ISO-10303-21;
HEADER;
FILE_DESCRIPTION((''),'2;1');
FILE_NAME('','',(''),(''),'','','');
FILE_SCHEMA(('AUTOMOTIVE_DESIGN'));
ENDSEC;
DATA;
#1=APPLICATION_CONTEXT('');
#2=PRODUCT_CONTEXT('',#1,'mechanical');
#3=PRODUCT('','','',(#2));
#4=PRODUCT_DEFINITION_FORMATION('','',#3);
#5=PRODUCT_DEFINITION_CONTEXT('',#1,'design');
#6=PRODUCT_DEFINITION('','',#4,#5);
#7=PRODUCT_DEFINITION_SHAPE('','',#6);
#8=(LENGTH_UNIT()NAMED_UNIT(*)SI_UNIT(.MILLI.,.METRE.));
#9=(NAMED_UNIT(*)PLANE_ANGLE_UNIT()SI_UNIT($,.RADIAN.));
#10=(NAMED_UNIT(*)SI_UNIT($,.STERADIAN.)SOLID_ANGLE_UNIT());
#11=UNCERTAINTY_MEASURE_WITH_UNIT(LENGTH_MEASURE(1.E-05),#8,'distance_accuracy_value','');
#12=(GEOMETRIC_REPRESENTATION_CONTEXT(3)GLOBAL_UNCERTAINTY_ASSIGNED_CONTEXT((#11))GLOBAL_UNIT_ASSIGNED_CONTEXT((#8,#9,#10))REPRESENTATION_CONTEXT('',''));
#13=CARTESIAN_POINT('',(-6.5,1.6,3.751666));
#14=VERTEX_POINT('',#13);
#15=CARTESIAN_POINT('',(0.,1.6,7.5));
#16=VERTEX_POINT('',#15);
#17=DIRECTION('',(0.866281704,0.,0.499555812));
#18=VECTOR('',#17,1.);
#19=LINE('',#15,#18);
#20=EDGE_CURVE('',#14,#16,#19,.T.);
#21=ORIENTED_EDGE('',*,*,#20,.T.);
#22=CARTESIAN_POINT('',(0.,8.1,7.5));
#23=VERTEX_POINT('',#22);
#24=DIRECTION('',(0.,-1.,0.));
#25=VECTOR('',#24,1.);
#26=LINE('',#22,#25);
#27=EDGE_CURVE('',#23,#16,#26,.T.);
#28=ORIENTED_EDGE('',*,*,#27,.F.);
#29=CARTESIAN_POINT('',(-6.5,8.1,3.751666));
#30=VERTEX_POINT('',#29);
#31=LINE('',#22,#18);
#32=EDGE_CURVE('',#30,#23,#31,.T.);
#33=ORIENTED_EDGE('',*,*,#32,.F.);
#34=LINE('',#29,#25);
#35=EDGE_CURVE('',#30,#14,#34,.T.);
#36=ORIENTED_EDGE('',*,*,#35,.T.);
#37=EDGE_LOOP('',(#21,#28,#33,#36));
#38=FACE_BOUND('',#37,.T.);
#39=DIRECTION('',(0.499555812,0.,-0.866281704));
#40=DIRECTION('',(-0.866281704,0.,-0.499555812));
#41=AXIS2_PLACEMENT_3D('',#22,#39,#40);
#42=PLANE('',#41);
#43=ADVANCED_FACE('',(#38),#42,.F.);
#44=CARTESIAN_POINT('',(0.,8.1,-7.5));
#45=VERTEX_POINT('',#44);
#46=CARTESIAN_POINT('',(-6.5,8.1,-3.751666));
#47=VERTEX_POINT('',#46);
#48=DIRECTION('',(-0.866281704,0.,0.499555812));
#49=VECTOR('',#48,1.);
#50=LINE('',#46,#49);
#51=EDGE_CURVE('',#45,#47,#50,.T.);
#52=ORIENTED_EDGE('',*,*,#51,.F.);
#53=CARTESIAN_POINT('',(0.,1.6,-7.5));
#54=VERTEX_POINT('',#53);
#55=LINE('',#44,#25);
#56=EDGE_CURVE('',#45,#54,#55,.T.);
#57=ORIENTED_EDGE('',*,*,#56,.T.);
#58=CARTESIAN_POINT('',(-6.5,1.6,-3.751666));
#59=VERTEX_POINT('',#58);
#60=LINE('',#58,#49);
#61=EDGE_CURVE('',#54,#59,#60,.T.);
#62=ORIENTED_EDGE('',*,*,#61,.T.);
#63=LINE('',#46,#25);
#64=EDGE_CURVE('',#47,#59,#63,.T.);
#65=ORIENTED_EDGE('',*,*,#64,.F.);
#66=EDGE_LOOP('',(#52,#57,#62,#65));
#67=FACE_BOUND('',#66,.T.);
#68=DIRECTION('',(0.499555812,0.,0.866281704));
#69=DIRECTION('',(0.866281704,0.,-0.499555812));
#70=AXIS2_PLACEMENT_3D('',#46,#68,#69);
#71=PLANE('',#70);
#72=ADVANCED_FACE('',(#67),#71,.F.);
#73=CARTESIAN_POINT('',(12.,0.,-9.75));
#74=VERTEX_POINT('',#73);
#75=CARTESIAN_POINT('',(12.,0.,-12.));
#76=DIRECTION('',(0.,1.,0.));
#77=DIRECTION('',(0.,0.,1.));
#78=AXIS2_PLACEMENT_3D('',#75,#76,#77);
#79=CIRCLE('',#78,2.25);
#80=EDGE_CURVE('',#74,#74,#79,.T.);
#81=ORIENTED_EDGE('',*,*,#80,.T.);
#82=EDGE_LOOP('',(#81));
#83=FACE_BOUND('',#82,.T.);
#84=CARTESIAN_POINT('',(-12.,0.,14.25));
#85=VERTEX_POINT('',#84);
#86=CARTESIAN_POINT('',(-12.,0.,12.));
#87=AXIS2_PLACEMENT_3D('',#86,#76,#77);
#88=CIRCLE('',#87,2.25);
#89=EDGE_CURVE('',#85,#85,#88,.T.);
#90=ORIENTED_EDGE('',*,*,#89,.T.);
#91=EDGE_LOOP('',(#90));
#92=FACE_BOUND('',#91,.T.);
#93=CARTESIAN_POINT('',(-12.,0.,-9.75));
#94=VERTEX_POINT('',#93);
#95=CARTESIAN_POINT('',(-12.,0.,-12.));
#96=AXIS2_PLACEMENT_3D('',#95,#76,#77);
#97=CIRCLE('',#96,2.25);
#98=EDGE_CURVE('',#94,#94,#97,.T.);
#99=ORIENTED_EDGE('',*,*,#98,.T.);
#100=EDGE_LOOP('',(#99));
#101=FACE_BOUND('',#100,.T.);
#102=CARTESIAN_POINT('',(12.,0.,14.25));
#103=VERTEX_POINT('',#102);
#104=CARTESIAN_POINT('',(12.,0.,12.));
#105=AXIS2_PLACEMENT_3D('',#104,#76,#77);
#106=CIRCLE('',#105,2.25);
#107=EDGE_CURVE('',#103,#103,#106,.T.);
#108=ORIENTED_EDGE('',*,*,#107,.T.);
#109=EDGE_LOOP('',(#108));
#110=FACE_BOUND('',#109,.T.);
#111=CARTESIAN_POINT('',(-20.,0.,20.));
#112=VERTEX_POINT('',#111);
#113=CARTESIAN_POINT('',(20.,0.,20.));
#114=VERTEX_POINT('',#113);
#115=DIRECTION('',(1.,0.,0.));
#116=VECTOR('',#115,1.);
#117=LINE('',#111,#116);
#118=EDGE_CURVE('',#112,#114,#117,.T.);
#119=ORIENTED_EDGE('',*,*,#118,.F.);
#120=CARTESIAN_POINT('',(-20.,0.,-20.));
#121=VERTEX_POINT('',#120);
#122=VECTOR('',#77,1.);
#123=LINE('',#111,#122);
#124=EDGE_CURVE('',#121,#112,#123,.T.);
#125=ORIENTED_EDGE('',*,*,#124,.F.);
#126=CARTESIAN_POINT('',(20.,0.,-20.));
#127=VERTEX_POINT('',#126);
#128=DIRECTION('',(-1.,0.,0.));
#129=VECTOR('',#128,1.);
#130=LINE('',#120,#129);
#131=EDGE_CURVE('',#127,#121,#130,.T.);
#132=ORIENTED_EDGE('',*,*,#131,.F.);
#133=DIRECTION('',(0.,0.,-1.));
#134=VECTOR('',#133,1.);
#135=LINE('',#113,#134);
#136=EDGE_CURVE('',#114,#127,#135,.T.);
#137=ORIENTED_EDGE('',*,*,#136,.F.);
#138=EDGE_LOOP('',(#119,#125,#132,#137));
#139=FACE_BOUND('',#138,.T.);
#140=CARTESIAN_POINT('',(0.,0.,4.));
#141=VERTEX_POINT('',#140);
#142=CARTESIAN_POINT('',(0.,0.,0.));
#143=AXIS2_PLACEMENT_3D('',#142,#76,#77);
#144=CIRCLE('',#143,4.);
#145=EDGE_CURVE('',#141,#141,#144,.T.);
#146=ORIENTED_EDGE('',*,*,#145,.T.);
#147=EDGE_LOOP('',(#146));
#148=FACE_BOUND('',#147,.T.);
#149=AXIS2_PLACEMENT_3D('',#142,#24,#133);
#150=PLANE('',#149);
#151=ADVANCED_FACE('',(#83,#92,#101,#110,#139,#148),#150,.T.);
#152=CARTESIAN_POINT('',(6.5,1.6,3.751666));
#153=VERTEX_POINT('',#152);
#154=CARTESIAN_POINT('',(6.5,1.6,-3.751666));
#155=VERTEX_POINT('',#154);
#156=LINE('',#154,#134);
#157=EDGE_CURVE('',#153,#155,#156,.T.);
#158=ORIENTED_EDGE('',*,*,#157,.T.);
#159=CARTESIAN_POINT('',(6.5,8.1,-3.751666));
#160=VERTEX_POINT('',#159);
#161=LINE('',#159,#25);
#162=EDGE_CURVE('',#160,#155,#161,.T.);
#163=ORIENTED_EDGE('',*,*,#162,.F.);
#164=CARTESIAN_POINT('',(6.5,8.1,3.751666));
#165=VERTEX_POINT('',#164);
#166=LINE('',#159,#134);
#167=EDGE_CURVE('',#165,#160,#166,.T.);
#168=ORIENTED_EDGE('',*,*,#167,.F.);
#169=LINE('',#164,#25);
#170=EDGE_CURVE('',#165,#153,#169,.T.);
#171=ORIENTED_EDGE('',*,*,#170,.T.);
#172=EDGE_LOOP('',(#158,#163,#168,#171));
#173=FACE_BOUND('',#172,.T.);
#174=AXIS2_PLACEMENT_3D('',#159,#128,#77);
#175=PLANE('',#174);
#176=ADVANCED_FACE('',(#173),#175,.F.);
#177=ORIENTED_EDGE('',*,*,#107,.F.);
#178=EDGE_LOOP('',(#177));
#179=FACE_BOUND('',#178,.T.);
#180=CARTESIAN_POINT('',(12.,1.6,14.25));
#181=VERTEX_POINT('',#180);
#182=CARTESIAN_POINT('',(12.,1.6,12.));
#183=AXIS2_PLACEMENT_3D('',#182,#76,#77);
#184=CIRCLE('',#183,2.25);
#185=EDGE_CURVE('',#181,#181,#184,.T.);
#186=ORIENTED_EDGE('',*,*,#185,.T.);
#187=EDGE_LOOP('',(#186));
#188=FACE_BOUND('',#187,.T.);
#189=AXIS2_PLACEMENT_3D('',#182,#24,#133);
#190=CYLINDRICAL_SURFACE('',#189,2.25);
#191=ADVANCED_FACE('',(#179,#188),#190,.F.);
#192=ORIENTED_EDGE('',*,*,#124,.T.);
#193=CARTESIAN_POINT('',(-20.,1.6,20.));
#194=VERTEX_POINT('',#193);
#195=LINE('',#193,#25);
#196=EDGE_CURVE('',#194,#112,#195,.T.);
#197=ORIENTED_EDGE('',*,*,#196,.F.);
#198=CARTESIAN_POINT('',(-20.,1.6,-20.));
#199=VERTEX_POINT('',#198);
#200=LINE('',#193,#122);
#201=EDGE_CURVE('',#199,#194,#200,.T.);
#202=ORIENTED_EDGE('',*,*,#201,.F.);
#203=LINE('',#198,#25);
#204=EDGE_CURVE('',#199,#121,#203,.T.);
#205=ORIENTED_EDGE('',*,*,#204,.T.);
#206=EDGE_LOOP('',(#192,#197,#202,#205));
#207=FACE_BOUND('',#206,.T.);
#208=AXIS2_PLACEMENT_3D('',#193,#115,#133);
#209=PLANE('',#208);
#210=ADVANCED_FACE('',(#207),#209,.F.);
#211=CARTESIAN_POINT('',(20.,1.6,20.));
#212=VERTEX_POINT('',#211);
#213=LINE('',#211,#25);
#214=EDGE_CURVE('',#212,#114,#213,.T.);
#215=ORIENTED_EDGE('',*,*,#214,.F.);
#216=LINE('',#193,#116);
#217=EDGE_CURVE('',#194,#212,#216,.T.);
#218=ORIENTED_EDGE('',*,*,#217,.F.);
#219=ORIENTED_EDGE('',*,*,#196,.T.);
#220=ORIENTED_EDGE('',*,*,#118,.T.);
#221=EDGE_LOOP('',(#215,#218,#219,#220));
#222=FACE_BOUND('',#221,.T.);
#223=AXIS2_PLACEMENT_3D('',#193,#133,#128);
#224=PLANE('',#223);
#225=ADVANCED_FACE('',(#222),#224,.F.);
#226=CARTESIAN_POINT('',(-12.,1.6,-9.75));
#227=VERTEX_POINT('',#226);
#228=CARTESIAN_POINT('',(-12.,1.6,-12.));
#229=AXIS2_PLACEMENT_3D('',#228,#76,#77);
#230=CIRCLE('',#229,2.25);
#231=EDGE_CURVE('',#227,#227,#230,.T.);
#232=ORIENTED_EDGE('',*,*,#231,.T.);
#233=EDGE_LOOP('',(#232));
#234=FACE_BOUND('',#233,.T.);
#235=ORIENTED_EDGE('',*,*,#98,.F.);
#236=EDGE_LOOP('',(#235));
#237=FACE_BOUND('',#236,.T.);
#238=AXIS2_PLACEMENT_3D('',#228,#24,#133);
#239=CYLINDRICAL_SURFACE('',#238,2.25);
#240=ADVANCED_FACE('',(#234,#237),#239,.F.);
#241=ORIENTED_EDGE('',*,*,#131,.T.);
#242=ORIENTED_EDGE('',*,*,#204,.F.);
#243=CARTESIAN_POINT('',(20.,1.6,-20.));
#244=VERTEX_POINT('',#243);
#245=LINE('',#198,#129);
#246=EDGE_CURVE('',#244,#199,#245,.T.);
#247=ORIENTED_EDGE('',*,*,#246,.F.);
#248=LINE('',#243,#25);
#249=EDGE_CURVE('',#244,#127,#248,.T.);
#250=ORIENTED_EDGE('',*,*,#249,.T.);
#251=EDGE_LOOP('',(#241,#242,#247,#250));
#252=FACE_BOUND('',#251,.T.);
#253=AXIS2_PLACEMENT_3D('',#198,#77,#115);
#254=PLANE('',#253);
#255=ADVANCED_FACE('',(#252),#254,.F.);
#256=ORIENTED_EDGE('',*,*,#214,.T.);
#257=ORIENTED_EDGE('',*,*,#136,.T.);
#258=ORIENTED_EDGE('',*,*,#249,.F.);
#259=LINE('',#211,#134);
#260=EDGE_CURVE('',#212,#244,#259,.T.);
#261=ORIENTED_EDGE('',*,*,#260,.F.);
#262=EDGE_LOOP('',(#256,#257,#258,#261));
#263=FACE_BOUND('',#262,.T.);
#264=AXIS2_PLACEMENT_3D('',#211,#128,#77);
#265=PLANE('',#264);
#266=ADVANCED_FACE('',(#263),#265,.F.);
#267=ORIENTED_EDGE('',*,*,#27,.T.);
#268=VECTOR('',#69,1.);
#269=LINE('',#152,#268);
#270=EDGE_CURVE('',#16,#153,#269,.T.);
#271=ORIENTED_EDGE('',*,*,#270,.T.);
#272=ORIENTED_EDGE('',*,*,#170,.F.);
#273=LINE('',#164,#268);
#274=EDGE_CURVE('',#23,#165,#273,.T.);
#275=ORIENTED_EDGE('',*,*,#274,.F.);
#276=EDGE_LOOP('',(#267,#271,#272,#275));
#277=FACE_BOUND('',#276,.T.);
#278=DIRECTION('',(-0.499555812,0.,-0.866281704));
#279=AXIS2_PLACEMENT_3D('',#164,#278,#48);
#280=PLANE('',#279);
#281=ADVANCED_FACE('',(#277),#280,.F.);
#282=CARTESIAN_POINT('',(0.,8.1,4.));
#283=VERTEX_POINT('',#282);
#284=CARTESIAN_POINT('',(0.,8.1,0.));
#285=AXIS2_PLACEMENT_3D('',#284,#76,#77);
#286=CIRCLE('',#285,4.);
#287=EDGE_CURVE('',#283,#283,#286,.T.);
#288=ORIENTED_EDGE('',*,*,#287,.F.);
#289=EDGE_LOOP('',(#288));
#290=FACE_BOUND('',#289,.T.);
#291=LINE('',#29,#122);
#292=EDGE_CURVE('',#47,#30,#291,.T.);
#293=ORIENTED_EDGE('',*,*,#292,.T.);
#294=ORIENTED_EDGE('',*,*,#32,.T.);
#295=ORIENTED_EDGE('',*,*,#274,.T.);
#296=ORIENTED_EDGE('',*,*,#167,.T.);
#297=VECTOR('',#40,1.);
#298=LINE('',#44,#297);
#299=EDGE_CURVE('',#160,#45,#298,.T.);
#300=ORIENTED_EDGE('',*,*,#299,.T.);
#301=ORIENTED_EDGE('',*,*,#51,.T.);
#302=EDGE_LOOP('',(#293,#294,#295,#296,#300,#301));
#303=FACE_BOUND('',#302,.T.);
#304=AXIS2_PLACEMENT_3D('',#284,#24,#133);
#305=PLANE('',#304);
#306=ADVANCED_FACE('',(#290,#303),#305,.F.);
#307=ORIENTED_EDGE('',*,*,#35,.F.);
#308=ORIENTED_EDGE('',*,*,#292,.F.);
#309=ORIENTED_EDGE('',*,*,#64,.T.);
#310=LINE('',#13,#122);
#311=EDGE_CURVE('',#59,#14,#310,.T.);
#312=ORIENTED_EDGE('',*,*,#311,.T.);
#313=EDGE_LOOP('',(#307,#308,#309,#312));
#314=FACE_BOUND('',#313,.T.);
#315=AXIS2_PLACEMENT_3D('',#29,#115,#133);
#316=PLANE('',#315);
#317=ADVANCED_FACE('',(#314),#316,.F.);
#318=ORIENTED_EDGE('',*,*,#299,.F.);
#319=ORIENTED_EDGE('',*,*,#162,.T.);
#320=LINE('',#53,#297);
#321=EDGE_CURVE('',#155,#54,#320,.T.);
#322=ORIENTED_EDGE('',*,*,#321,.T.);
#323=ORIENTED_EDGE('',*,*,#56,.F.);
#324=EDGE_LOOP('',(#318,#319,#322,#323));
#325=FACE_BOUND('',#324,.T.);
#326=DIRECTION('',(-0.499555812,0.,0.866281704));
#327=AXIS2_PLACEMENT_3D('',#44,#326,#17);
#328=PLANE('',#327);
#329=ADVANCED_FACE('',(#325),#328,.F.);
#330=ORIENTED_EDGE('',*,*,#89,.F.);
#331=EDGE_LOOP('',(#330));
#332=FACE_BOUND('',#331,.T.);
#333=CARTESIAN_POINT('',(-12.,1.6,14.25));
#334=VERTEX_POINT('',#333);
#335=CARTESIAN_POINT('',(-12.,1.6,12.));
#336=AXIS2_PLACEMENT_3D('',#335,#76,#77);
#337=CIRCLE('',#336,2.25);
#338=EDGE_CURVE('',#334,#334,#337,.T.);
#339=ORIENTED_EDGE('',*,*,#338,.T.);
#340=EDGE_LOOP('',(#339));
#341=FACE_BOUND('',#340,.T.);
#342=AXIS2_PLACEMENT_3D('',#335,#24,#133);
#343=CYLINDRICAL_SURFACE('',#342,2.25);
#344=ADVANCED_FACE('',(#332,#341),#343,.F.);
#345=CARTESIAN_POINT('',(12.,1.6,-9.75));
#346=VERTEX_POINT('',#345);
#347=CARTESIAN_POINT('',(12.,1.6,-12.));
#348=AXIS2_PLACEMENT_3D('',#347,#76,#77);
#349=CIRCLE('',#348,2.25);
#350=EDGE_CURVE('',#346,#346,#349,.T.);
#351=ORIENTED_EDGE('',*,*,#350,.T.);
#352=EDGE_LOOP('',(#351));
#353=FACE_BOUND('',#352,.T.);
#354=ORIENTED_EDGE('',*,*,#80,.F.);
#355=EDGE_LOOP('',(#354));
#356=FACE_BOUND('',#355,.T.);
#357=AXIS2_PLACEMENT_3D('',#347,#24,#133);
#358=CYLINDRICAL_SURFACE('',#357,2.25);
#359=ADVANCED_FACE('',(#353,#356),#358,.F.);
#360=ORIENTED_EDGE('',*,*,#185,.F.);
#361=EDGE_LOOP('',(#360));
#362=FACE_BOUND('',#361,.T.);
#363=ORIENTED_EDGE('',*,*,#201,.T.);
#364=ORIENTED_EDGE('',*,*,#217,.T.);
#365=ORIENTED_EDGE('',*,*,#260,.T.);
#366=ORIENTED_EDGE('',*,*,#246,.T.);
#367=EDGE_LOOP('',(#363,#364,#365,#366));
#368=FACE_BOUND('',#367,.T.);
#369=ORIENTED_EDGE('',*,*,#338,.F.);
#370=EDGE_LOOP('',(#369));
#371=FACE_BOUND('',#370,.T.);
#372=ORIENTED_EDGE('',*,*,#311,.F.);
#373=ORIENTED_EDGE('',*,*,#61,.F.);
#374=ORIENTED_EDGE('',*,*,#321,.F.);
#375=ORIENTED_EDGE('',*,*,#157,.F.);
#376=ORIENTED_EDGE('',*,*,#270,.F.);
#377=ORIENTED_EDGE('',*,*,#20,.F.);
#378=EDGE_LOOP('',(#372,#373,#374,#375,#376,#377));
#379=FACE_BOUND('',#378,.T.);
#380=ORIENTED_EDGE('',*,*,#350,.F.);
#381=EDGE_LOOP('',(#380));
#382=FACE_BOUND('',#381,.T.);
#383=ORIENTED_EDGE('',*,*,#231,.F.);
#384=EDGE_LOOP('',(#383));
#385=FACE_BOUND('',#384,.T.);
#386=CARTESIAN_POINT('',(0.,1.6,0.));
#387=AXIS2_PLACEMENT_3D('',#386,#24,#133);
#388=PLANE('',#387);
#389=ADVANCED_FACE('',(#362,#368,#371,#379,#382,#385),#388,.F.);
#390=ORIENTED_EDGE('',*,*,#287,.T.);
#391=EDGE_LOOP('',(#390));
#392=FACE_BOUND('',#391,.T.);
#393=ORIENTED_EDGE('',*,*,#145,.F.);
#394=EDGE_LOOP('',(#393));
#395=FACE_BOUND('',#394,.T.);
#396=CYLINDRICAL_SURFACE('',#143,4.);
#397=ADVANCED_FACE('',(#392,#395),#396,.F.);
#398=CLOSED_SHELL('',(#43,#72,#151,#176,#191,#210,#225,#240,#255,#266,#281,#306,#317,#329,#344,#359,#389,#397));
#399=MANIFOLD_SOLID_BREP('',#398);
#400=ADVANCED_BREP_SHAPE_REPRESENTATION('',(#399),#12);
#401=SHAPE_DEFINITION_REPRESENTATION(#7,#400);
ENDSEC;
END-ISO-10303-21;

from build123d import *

# Parameters (mm, degrees)
SKETCH_1_W          = 40
SKETCH_1_H          = 40
SKETCH_1_R          = 2.25
EXTRUDE_1_DEPTH     = 1.6
EXTRUDE_2_DEPTH     = 6.5
SKETCH_3_R          = 4
CUT_EXTRUDE_1_DEPTH = 30.421250823


with BuildPart() as part:
    # ｽｹｯﾁ1 → ﾎﾞｽ - 押し出し1 (new body)
    with BuildSketch(Plane(origin=(0, 0, 0), x_dir=(1, 0, 0), z_dir=(0, 1, 0))):
        Rectangle(SKETCH_1_W, SKETCH_1_H)
        with Locations(Location((-12, 12, 0), (0, 0, 270))):
            Circle(SKETCH_1_R, mode=Mode.SUBTRACT)
        with Locations(Location((12, 12, 0), (0, 0, 270))):
            Circle(SKETCH_1_R, mode=Mode.SUBTRACT)
        with Locations(Location((-12, -12, 0), (0, 0, 270))):
            Circle(SKETCH_1_R, mode=Mode.SUBTRACT)
        with Locations(Location((12, -12, 0), (0, 0, 270))):
            Circle(SKETCH_1_R, mode=Mode.SUBTRACT)
    extrude(amount=EXTRUDE_1_DEPTH)

    # ｽｹｯﾁ2 → ﾎﾞｽ - 押し出し2 (add)
    with BuildSketch(Plane(origin=(0, 1.6, 0), x_dir=(1, 0, 0), z_dir=(0, 1, 0))):
        Polygon((0, 7.5), (6.5, 3.751666445), (6.5, -3.751666445), (0, -7.5), (-6.5, -3.751666445), (-6.5, 3.751666445), align=None)
    extrude(amount=EXTRUDE_2_DEPTH)

    # ｽｹｯﾁ3 → ｶｯﾄ - 押し出し1 (cut, through all)
    with BuildSketch(Plane(origin=(0, 8.1, 0), x_dir=(1, 0, 0), z_dir=(0, 1, 0))):
        with Locations(Location((0, 0, 0), (0, 0, 270))):
            Circle(SKETCH_3_R)
    extrude(amount=-CUT_EXTRUDE_1_DEPTH, mode=Mode.SUBTRACT)


solid = part.part
